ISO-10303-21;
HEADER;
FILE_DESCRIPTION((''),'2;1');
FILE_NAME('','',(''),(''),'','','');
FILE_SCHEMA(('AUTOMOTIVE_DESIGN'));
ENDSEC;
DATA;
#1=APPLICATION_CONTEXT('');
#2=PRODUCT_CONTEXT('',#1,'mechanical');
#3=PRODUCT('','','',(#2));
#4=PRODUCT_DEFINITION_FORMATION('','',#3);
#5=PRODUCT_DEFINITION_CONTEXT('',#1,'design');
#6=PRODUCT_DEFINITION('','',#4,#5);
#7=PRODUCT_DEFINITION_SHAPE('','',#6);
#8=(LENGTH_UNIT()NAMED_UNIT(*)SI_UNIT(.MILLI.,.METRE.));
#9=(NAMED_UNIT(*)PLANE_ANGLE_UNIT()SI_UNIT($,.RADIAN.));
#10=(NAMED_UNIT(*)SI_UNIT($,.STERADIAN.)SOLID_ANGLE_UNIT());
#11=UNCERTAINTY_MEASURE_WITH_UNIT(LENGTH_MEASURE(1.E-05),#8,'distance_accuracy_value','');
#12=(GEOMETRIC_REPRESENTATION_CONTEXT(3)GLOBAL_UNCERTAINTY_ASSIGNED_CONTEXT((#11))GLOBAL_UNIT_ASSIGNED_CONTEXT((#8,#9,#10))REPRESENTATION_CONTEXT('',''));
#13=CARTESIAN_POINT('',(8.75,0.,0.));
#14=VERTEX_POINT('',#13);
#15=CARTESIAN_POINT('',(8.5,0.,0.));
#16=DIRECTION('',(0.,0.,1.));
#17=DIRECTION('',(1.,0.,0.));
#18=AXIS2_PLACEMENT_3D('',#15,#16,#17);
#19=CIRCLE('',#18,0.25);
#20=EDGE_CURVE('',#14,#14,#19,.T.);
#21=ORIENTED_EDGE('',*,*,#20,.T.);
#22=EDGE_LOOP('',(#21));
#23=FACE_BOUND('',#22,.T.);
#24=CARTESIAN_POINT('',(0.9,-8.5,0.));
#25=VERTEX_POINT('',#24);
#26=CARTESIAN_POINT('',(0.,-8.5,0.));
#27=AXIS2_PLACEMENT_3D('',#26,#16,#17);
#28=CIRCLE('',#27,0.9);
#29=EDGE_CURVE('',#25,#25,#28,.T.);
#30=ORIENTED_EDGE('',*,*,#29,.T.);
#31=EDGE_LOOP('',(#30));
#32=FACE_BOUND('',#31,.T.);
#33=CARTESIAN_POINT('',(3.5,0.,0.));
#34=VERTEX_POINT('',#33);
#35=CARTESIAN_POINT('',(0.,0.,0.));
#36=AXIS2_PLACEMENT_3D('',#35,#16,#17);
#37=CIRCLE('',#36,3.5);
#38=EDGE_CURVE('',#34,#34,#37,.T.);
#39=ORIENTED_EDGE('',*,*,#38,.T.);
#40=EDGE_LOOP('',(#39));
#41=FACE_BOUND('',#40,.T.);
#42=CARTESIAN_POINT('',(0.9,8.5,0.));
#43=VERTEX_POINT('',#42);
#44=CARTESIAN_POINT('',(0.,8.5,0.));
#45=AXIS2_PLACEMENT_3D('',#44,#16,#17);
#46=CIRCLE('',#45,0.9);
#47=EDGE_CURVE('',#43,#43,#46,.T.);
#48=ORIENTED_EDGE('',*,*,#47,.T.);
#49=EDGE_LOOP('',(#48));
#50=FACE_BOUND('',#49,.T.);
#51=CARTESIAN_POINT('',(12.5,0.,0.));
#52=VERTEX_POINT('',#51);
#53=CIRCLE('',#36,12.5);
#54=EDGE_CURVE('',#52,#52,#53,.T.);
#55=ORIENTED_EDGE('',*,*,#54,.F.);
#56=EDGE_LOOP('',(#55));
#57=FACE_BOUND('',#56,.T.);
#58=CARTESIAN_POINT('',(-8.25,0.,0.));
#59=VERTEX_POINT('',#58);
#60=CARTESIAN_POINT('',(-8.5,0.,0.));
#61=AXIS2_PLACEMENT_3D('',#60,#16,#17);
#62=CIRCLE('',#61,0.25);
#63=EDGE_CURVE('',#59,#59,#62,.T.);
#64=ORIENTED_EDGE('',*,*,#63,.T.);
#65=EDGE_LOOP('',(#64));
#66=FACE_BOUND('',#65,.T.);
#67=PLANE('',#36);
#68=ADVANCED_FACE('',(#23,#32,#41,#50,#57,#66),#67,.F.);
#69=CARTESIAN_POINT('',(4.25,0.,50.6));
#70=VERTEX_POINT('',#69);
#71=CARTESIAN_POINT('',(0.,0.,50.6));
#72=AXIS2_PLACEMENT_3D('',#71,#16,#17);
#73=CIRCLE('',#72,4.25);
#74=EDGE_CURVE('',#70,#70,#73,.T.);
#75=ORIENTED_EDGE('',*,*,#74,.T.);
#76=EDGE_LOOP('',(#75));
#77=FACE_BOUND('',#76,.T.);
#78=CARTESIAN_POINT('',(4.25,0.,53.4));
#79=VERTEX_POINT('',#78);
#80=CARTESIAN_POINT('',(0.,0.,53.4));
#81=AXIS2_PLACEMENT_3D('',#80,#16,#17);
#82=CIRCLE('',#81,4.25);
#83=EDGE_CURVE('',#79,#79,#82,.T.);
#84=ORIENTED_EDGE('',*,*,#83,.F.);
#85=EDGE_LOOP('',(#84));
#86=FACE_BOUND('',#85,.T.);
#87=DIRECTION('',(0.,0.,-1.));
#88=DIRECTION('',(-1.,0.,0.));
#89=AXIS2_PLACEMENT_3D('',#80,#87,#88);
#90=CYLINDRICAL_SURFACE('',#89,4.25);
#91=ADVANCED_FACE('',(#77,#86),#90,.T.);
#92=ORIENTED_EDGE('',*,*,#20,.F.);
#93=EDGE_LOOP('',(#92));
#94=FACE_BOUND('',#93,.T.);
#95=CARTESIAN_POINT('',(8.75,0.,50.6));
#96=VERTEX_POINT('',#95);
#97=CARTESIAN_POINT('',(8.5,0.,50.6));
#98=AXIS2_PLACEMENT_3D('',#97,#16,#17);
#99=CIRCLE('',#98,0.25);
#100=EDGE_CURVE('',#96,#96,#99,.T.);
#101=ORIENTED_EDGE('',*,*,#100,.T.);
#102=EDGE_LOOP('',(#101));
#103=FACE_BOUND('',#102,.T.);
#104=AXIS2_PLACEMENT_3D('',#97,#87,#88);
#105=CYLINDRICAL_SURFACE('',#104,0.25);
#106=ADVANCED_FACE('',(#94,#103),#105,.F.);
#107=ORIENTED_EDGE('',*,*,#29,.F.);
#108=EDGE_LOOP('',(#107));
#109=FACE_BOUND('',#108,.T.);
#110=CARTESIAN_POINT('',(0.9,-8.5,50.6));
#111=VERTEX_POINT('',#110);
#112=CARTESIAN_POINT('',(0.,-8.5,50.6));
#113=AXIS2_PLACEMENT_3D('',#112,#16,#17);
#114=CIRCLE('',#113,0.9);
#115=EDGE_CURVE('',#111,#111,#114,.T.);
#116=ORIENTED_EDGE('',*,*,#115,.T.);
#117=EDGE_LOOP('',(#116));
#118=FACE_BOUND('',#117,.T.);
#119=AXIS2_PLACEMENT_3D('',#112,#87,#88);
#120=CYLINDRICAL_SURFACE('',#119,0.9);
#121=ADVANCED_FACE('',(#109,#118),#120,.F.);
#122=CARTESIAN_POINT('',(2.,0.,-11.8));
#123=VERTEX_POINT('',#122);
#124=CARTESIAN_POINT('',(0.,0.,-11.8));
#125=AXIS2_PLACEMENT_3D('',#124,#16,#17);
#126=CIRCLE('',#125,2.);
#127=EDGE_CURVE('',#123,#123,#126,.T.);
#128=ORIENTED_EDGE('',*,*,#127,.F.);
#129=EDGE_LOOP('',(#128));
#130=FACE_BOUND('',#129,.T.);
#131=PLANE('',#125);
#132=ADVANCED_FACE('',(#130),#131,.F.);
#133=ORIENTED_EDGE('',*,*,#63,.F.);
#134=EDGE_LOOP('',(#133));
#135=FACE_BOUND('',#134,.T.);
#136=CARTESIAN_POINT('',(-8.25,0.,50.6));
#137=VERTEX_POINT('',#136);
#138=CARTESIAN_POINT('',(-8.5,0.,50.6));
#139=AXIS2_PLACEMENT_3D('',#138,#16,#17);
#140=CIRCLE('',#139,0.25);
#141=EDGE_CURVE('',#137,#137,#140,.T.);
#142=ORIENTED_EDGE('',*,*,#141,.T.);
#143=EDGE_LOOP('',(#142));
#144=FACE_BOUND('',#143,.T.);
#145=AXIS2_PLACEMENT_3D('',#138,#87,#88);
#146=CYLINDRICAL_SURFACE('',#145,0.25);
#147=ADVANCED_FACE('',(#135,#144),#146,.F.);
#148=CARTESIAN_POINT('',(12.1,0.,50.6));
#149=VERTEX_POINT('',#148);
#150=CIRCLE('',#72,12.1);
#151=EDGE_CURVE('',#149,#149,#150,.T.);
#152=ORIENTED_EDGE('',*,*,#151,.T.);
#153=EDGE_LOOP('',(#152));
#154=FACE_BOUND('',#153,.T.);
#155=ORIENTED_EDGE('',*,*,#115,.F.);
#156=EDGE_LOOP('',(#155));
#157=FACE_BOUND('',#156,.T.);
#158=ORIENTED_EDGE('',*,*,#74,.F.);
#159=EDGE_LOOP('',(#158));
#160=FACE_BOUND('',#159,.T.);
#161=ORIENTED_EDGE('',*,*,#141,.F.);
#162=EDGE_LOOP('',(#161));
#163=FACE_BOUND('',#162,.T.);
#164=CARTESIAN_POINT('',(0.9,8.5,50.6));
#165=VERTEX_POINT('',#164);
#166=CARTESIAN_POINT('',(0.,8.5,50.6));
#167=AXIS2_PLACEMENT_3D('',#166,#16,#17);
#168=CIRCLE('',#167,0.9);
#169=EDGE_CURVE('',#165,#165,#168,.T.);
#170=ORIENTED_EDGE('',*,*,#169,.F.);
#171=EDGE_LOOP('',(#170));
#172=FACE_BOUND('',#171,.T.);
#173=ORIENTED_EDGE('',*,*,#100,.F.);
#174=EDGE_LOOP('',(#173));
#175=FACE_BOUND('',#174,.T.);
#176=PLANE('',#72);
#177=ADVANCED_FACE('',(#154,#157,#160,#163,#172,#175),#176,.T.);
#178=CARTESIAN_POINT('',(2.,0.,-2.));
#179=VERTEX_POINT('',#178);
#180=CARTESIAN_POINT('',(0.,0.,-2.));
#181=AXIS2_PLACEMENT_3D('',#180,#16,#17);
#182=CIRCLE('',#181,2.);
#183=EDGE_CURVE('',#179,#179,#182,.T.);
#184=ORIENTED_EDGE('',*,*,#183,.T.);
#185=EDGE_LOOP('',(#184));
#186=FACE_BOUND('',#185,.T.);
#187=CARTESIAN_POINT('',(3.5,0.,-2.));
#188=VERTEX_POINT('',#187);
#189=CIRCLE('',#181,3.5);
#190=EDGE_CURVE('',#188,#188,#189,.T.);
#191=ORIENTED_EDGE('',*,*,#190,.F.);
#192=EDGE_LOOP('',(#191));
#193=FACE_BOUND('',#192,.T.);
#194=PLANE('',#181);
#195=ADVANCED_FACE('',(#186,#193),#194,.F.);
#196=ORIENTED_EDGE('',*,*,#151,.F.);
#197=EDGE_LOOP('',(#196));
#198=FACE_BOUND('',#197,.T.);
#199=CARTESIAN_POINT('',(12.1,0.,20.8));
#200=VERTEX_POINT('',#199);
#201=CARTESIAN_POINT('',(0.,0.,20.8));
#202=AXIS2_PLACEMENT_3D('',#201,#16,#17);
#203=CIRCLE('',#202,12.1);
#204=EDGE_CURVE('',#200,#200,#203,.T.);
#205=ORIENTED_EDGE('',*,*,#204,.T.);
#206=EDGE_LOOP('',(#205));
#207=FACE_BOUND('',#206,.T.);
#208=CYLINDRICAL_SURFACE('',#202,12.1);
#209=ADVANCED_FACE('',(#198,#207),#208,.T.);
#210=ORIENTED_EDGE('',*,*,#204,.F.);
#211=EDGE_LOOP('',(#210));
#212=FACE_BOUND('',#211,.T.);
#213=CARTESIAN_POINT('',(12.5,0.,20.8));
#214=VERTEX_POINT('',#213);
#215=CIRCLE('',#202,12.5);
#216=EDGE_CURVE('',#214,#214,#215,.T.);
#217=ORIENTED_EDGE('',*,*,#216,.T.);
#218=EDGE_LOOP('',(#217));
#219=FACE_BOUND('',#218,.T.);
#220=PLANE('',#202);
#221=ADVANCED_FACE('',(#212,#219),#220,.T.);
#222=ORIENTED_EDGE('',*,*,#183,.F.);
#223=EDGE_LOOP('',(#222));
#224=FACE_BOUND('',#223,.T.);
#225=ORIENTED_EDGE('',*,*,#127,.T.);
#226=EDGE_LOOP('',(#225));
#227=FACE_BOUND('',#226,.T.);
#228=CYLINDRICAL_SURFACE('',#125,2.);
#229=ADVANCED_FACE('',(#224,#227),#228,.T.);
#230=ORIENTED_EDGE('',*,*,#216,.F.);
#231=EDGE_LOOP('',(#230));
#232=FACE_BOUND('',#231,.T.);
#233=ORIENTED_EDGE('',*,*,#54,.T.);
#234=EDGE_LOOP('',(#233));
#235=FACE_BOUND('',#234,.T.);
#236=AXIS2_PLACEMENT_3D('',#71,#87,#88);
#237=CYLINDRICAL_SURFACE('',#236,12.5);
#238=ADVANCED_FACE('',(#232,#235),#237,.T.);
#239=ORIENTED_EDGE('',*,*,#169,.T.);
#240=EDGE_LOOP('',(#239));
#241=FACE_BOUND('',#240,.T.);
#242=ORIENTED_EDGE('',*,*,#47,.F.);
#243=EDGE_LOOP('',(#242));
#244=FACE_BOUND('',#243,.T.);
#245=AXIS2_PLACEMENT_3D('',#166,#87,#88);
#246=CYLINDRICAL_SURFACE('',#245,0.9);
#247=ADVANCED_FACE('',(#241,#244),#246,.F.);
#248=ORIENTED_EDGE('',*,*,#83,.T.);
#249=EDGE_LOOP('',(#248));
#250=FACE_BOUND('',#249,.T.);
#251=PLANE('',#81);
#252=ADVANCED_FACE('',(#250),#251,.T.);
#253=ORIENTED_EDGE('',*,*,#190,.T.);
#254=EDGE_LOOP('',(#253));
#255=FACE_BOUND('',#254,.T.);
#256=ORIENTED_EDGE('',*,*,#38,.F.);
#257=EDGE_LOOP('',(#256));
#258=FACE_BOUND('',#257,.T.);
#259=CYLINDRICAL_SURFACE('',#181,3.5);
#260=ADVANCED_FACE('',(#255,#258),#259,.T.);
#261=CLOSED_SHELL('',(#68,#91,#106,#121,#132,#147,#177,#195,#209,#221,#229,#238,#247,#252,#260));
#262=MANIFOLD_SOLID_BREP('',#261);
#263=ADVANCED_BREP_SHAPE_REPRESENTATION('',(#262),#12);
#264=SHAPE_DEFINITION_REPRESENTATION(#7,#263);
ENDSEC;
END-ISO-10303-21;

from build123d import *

# Parameters (mm, degrees)
ESBO_O1_R                = 12.5
ESBO_O1_R_2              = 0.9
ESBO_O1_R_3              = 0.25
RESSALTO_EXTRUS_O1_DEPTH = 50.6
ESBO_O2_R                = 3.5
RESSALTO_EXTRUS_O2_DEPTH = 2
ESBO_O3_R                = 2
RESSALTO_EXTRUS_O3_DEPTH = 11.8
ESBO_O4_R                = 4.25
RESSALTO_EXTRUS_O4_DEPTH = 2.8
CORTE_EXTRUS_O1_START    = -29.8
ESBO_O6_R                = 12.5
ESBO_O6_R_2              = 12.1
CORTE_EXTRUS_O1_DEPTH    = 29.8


with BuildPart() as part:
    # Esboço1 → Ressalto-extrusão1 (new body)
    with BuildSketch(Plane.XY):
        Circle(ESBO_O1_R)
        with Locations((0, 8.5)):
            Circle(ESBO_O1_R_2, mode=Mode.SUBTRACT)
        with Locations((0, -8.5)):
            Circle(ESBO_O1_R_2, mode=Mode.SUBTRACT)
        with Locations((8.5, 0)):
            Circle(ESBO_O1_R_3, mode=Mode.SUBTRACT)
        with Locations((-8.5, 0)):
            Circle(ESBO_O1_R_3, mode=Mode.SUBTRACT)
    extrude(amount=RESSALTO_EXTRUS_O1_DEPTH)

    # Esboço2 → Ressalto-extrusão2 (add)
    with BuildSketch(Plane.XY):
        Circle(ESBO_O2_R)
    extrude(amount=-RESSALTO_EXTRUS_O2_DEPTH)

    # Esboço3 → Ressalto-extrusão3 (add)
    with BuildSketch(Plane.XY):
        Circle(ESBO_O3_R)
    extrude(amount=-RESSALTO_EXTRUS_O3_DEPTH)

    # Esboço4 → Ressalto-extrusão4 (add)
    with BuildSketch(Plane.XY.offset(50.6)):
        Circle(ESBO_O4_R)
    extrude(amount=RESSALTO_EXTRUS_O4_DEPTH)

    # Esboço6 → Corte-extrusão1 (cut)
    with BuildSketch(Plane.XY.offset(50.6).offset(CORTE_EXTRUS_O1_START)):
        Circle(ESBO_O6_R)
        Circle(ESBO_O6_R_2, mode=Mode.SUBTRACT)
    extrude(amount=CORTE_EXTRUS_O1_DEPTH, mode=Mode.SUBTRACT)


solid = part.part
